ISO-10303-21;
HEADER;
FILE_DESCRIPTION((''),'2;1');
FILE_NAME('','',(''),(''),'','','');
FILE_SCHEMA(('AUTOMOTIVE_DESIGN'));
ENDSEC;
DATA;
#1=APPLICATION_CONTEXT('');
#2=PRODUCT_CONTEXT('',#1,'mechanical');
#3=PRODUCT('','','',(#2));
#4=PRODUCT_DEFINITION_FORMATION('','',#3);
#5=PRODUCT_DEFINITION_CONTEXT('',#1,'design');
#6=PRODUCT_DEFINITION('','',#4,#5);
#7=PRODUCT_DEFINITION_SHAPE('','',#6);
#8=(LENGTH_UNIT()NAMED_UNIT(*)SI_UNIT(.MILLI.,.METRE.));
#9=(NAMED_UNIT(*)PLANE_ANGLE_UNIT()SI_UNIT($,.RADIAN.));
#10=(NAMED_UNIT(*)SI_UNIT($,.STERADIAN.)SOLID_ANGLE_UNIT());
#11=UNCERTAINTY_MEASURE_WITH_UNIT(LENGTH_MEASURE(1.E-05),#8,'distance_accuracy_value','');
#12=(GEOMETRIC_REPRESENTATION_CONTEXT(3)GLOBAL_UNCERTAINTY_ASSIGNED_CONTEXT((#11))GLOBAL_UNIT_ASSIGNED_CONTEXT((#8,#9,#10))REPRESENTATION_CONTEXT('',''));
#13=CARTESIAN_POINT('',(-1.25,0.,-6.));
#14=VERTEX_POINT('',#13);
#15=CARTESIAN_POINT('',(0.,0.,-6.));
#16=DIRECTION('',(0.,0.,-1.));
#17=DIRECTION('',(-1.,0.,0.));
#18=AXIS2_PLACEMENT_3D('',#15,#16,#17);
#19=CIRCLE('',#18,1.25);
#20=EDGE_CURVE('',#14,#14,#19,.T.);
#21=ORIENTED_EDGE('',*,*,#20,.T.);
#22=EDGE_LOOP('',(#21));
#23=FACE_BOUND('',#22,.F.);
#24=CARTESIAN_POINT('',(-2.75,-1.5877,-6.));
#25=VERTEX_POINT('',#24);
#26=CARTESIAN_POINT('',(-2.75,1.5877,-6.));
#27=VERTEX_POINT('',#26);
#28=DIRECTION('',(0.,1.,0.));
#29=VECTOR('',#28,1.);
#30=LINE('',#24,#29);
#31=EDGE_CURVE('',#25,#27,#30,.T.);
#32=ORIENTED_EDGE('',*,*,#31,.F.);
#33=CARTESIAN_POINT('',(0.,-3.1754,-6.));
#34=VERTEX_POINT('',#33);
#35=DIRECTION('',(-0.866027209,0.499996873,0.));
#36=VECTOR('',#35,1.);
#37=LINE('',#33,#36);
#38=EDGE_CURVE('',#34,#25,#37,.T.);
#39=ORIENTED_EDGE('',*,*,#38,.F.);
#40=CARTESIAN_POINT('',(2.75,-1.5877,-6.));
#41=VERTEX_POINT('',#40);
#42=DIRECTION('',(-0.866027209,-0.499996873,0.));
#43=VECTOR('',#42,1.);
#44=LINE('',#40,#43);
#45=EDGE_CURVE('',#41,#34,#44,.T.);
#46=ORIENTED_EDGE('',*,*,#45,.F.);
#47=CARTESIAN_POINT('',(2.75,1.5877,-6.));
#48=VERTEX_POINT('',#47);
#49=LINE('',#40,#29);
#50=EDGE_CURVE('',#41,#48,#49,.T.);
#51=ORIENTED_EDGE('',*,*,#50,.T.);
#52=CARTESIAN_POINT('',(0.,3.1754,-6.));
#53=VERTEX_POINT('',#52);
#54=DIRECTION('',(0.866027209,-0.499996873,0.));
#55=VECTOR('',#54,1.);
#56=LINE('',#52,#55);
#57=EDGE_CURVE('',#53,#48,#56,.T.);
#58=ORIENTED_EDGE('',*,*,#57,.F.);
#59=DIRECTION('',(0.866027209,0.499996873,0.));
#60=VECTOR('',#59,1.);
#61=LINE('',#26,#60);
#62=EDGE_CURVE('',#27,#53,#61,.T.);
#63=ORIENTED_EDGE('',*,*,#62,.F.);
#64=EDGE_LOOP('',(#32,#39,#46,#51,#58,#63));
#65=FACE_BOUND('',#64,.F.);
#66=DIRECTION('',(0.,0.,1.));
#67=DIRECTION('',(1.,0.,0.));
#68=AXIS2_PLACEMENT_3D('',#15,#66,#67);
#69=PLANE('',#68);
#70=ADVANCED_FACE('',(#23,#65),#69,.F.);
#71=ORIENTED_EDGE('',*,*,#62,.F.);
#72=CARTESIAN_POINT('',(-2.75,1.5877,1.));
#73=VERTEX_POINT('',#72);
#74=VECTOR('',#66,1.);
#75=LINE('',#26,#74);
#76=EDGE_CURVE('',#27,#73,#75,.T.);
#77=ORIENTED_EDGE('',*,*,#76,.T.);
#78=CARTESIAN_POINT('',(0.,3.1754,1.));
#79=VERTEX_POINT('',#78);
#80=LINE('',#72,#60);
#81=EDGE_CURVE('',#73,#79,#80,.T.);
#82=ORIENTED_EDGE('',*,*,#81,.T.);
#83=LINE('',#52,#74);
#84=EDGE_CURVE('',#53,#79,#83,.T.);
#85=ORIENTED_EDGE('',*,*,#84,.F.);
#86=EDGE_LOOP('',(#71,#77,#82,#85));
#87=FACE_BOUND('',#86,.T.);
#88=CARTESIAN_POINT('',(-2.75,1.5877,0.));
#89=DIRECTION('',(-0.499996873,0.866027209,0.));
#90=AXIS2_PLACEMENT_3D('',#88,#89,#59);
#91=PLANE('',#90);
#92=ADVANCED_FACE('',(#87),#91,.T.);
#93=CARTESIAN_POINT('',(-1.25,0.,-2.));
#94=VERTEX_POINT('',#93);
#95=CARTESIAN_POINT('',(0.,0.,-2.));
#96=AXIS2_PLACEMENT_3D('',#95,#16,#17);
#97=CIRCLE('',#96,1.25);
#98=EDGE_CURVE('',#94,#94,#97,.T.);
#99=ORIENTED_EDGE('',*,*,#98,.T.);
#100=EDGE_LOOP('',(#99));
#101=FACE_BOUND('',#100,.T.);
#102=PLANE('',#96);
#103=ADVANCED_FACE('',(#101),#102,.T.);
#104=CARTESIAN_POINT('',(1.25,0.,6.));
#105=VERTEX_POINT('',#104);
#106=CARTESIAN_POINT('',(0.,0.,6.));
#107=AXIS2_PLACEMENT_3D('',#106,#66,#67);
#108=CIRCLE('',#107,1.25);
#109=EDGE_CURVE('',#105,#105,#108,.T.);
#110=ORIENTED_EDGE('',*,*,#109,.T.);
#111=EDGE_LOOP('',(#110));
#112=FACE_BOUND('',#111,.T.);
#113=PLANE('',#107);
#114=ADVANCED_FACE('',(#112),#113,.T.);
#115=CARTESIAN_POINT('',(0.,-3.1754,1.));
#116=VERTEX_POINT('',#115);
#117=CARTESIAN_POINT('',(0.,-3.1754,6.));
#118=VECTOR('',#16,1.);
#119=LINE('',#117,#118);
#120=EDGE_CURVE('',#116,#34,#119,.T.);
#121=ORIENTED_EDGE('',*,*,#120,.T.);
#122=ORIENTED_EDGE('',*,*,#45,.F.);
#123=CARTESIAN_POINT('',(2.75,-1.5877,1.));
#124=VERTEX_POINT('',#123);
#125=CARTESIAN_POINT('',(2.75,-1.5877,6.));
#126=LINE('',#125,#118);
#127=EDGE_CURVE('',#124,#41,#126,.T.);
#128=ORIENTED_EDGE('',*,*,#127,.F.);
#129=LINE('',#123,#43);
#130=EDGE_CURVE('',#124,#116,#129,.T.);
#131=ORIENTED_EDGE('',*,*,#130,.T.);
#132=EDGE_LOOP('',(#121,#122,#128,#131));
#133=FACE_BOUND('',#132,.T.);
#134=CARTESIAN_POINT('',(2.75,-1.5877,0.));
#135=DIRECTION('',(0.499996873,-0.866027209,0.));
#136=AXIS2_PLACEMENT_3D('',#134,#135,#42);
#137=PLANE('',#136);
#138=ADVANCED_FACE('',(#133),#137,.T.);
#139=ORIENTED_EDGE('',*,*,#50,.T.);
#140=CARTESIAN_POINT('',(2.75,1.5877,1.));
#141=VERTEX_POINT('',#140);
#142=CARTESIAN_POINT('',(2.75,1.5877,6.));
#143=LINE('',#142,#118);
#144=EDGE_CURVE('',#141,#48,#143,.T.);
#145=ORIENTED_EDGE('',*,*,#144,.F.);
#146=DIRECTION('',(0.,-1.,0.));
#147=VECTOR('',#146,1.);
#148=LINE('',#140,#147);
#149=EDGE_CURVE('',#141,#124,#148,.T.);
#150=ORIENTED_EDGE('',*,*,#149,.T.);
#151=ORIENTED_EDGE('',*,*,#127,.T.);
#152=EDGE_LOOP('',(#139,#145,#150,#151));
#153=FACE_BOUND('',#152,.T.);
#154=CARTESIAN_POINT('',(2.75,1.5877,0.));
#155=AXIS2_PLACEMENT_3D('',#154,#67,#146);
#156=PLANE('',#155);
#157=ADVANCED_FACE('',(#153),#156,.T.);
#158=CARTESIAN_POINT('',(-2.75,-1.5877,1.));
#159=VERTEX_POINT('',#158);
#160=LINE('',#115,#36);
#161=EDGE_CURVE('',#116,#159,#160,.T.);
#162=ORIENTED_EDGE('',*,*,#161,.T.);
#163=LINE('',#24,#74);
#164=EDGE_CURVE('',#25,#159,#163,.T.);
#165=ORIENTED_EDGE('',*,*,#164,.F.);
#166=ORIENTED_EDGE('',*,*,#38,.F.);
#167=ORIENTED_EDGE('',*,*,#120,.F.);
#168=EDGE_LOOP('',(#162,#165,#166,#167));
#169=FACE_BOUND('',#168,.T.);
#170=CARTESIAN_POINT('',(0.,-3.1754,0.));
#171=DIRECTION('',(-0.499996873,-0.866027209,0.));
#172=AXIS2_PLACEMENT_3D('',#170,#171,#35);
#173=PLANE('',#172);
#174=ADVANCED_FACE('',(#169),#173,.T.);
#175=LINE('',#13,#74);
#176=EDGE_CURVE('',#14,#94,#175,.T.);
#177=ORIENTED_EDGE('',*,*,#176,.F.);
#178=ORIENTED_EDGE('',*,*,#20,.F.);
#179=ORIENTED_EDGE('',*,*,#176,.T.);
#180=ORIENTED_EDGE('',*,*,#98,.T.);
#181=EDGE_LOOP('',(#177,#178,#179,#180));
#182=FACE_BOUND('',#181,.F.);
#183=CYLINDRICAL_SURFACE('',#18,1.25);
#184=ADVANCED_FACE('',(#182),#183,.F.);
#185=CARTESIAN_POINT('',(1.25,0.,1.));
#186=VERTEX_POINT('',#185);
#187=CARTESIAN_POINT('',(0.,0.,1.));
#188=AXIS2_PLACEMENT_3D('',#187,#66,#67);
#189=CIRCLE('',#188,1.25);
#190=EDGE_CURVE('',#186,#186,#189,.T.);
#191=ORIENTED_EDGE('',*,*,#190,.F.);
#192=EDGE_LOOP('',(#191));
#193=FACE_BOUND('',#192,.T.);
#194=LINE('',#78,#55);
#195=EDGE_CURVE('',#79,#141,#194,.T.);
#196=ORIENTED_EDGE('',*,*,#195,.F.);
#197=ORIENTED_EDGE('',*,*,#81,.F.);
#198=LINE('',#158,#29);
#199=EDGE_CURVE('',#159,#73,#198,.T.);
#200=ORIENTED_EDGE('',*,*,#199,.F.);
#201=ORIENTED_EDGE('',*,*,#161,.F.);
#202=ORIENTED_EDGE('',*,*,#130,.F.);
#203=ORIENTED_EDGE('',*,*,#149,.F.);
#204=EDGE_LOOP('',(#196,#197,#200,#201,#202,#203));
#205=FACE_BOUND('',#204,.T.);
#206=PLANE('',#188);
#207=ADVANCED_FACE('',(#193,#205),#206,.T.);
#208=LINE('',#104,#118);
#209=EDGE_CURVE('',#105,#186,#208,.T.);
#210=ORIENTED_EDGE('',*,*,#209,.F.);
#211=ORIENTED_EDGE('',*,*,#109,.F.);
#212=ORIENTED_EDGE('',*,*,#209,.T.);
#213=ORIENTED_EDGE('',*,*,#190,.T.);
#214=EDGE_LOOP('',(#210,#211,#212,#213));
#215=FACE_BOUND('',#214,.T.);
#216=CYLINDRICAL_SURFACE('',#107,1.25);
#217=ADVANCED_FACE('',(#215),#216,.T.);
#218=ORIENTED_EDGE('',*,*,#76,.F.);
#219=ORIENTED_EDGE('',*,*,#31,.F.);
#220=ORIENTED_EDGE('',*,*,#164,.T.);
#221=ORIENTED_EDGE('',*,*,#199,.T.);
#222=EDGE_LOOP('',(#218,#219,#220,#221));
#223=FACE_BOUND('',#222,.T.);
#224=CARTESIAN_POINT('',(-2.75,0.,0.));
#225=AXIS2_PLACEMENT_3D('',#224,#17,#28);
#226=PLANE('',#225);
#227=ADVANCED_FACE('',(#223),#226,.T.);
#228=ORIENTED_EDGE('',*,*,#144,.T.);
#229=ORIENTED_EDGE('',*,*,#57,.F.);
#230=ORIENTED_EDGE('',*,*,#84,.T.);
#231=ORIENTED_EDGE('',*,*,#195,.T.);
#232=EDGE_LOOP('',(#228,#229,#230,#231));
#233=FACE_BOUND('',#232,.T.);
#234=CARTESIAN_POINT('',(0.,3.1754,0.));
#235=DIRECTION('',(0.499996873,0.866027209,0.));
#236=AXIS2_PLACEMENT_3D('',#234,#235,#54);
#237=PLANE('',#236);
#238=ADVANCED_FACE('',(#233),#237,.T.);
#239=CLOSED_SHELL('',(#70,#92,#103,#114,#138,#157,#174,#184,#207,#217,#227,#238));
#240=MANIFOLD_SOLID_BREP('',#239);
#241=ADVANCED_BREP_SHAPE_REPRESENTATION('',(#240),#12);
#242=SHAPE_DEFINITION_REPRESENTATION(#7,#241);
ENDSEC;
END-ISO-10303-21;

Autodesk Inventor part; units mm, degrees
ref_plane "YZ Plane" through (0, 0, 0) normal (1, 0, 0) x (0, 1, 0)
ref_plane "XZ Plane" through (0, 0, 0) normal (0, 1, 0) x (-1, 0, 0)
ref_plane "XY Plane" through (0, 0, 0) normal (0, 0, 1) x (1, 0, 0)
sketch "Sketch1" plane through (0, 0, 0) normal (0, 0, 1) x (1, 0, 0)
  line L0 (0, 4.4456) -> (0, -4.4456) projected
  line L1 (-3.85, 0) -> (3.85, 0) projected
  circle A0 centre (0, 0) radius 1.25
  line L2 (0, 3.1754) -> (2.75, 1.5877)
  line L3 (2.75, 1.5877) -> (2.75, -1.5877)
  line L4 (2.75, -1.5877) -> (0, -3.1754)
  line L5 (0, -3.1754) -> (-2.75, -1.5877)
  line L6 (-2.75, -1.5877) -> (-2.75, 1.5877)
  line L7 (-2.75, 1.5877) -> (0, 3.1754)
  dimension "d0" = 2.5
  dimension "d1" = 5.5
extrude "Extrusion1" add sketch "Sketch1" along normal mid plane 12
sketch "Sketch2" plane through (0, 0, -6) normal (0, 0, -1) x (-1, 0, 0)
  circle A0 centre (0, 0) radius 1.25
  dimension "d4" = 2.5
extrude "Extrusion2" cut sketch "Sketch2" against normal blind 4
sketch "Sketch3" plane through (2.75, -1.5877, 6) normal (1, 0, 0) x (0, 0, -1)
  line L0 (0, 3.1754) -> (0, 0) projected
  line L1 (12, 0) -> (0, 0) projected
  line L2 (12, 0) -> (12, 3.1754) projected
  line L3 (12, 3.1754) -> (0, 3.1754) projected
  line L4 (6, 0) -> (6, 3.1754)
  point P0 (6, 1.5877)
sketch "Sketch4" plane through (0, 0, 6) normal (0, 0, 1) x (1, 0, 0)
  line L0 (0, 3.1754) -> (2.75, 1.5877) projected
  line L1 (-2.75, 1.5877) -> (0, 3.1754) projected
  line L2 (-2.75, -1.5877) -> (-2.75, 1.5877) projected
  line L3 (0, -3.1754) -> (-2.75, -1.5877) projected
  line L4 (2.75, -1.5877) -> (0, -3.1754) projected
  line L5 (2.75, 1.5877) -> (2.75, -1.5877) projected
  circle A0 centre (0, 0) radius 1.25
  dimension "d7" = 2.5
extrude "Extrusion3" cut sketch "Sketch4" against normal blind 5
thread "Thread1" size "M3x0.5" class "6H" standard "ANSI Metric M Profile" full length
thread "Thread2" size "M3x0.5" class "6g" standard "ANSI Metric M Profile" full length
properties part number "Motherboard Standoff 11mm M3x0.5"
